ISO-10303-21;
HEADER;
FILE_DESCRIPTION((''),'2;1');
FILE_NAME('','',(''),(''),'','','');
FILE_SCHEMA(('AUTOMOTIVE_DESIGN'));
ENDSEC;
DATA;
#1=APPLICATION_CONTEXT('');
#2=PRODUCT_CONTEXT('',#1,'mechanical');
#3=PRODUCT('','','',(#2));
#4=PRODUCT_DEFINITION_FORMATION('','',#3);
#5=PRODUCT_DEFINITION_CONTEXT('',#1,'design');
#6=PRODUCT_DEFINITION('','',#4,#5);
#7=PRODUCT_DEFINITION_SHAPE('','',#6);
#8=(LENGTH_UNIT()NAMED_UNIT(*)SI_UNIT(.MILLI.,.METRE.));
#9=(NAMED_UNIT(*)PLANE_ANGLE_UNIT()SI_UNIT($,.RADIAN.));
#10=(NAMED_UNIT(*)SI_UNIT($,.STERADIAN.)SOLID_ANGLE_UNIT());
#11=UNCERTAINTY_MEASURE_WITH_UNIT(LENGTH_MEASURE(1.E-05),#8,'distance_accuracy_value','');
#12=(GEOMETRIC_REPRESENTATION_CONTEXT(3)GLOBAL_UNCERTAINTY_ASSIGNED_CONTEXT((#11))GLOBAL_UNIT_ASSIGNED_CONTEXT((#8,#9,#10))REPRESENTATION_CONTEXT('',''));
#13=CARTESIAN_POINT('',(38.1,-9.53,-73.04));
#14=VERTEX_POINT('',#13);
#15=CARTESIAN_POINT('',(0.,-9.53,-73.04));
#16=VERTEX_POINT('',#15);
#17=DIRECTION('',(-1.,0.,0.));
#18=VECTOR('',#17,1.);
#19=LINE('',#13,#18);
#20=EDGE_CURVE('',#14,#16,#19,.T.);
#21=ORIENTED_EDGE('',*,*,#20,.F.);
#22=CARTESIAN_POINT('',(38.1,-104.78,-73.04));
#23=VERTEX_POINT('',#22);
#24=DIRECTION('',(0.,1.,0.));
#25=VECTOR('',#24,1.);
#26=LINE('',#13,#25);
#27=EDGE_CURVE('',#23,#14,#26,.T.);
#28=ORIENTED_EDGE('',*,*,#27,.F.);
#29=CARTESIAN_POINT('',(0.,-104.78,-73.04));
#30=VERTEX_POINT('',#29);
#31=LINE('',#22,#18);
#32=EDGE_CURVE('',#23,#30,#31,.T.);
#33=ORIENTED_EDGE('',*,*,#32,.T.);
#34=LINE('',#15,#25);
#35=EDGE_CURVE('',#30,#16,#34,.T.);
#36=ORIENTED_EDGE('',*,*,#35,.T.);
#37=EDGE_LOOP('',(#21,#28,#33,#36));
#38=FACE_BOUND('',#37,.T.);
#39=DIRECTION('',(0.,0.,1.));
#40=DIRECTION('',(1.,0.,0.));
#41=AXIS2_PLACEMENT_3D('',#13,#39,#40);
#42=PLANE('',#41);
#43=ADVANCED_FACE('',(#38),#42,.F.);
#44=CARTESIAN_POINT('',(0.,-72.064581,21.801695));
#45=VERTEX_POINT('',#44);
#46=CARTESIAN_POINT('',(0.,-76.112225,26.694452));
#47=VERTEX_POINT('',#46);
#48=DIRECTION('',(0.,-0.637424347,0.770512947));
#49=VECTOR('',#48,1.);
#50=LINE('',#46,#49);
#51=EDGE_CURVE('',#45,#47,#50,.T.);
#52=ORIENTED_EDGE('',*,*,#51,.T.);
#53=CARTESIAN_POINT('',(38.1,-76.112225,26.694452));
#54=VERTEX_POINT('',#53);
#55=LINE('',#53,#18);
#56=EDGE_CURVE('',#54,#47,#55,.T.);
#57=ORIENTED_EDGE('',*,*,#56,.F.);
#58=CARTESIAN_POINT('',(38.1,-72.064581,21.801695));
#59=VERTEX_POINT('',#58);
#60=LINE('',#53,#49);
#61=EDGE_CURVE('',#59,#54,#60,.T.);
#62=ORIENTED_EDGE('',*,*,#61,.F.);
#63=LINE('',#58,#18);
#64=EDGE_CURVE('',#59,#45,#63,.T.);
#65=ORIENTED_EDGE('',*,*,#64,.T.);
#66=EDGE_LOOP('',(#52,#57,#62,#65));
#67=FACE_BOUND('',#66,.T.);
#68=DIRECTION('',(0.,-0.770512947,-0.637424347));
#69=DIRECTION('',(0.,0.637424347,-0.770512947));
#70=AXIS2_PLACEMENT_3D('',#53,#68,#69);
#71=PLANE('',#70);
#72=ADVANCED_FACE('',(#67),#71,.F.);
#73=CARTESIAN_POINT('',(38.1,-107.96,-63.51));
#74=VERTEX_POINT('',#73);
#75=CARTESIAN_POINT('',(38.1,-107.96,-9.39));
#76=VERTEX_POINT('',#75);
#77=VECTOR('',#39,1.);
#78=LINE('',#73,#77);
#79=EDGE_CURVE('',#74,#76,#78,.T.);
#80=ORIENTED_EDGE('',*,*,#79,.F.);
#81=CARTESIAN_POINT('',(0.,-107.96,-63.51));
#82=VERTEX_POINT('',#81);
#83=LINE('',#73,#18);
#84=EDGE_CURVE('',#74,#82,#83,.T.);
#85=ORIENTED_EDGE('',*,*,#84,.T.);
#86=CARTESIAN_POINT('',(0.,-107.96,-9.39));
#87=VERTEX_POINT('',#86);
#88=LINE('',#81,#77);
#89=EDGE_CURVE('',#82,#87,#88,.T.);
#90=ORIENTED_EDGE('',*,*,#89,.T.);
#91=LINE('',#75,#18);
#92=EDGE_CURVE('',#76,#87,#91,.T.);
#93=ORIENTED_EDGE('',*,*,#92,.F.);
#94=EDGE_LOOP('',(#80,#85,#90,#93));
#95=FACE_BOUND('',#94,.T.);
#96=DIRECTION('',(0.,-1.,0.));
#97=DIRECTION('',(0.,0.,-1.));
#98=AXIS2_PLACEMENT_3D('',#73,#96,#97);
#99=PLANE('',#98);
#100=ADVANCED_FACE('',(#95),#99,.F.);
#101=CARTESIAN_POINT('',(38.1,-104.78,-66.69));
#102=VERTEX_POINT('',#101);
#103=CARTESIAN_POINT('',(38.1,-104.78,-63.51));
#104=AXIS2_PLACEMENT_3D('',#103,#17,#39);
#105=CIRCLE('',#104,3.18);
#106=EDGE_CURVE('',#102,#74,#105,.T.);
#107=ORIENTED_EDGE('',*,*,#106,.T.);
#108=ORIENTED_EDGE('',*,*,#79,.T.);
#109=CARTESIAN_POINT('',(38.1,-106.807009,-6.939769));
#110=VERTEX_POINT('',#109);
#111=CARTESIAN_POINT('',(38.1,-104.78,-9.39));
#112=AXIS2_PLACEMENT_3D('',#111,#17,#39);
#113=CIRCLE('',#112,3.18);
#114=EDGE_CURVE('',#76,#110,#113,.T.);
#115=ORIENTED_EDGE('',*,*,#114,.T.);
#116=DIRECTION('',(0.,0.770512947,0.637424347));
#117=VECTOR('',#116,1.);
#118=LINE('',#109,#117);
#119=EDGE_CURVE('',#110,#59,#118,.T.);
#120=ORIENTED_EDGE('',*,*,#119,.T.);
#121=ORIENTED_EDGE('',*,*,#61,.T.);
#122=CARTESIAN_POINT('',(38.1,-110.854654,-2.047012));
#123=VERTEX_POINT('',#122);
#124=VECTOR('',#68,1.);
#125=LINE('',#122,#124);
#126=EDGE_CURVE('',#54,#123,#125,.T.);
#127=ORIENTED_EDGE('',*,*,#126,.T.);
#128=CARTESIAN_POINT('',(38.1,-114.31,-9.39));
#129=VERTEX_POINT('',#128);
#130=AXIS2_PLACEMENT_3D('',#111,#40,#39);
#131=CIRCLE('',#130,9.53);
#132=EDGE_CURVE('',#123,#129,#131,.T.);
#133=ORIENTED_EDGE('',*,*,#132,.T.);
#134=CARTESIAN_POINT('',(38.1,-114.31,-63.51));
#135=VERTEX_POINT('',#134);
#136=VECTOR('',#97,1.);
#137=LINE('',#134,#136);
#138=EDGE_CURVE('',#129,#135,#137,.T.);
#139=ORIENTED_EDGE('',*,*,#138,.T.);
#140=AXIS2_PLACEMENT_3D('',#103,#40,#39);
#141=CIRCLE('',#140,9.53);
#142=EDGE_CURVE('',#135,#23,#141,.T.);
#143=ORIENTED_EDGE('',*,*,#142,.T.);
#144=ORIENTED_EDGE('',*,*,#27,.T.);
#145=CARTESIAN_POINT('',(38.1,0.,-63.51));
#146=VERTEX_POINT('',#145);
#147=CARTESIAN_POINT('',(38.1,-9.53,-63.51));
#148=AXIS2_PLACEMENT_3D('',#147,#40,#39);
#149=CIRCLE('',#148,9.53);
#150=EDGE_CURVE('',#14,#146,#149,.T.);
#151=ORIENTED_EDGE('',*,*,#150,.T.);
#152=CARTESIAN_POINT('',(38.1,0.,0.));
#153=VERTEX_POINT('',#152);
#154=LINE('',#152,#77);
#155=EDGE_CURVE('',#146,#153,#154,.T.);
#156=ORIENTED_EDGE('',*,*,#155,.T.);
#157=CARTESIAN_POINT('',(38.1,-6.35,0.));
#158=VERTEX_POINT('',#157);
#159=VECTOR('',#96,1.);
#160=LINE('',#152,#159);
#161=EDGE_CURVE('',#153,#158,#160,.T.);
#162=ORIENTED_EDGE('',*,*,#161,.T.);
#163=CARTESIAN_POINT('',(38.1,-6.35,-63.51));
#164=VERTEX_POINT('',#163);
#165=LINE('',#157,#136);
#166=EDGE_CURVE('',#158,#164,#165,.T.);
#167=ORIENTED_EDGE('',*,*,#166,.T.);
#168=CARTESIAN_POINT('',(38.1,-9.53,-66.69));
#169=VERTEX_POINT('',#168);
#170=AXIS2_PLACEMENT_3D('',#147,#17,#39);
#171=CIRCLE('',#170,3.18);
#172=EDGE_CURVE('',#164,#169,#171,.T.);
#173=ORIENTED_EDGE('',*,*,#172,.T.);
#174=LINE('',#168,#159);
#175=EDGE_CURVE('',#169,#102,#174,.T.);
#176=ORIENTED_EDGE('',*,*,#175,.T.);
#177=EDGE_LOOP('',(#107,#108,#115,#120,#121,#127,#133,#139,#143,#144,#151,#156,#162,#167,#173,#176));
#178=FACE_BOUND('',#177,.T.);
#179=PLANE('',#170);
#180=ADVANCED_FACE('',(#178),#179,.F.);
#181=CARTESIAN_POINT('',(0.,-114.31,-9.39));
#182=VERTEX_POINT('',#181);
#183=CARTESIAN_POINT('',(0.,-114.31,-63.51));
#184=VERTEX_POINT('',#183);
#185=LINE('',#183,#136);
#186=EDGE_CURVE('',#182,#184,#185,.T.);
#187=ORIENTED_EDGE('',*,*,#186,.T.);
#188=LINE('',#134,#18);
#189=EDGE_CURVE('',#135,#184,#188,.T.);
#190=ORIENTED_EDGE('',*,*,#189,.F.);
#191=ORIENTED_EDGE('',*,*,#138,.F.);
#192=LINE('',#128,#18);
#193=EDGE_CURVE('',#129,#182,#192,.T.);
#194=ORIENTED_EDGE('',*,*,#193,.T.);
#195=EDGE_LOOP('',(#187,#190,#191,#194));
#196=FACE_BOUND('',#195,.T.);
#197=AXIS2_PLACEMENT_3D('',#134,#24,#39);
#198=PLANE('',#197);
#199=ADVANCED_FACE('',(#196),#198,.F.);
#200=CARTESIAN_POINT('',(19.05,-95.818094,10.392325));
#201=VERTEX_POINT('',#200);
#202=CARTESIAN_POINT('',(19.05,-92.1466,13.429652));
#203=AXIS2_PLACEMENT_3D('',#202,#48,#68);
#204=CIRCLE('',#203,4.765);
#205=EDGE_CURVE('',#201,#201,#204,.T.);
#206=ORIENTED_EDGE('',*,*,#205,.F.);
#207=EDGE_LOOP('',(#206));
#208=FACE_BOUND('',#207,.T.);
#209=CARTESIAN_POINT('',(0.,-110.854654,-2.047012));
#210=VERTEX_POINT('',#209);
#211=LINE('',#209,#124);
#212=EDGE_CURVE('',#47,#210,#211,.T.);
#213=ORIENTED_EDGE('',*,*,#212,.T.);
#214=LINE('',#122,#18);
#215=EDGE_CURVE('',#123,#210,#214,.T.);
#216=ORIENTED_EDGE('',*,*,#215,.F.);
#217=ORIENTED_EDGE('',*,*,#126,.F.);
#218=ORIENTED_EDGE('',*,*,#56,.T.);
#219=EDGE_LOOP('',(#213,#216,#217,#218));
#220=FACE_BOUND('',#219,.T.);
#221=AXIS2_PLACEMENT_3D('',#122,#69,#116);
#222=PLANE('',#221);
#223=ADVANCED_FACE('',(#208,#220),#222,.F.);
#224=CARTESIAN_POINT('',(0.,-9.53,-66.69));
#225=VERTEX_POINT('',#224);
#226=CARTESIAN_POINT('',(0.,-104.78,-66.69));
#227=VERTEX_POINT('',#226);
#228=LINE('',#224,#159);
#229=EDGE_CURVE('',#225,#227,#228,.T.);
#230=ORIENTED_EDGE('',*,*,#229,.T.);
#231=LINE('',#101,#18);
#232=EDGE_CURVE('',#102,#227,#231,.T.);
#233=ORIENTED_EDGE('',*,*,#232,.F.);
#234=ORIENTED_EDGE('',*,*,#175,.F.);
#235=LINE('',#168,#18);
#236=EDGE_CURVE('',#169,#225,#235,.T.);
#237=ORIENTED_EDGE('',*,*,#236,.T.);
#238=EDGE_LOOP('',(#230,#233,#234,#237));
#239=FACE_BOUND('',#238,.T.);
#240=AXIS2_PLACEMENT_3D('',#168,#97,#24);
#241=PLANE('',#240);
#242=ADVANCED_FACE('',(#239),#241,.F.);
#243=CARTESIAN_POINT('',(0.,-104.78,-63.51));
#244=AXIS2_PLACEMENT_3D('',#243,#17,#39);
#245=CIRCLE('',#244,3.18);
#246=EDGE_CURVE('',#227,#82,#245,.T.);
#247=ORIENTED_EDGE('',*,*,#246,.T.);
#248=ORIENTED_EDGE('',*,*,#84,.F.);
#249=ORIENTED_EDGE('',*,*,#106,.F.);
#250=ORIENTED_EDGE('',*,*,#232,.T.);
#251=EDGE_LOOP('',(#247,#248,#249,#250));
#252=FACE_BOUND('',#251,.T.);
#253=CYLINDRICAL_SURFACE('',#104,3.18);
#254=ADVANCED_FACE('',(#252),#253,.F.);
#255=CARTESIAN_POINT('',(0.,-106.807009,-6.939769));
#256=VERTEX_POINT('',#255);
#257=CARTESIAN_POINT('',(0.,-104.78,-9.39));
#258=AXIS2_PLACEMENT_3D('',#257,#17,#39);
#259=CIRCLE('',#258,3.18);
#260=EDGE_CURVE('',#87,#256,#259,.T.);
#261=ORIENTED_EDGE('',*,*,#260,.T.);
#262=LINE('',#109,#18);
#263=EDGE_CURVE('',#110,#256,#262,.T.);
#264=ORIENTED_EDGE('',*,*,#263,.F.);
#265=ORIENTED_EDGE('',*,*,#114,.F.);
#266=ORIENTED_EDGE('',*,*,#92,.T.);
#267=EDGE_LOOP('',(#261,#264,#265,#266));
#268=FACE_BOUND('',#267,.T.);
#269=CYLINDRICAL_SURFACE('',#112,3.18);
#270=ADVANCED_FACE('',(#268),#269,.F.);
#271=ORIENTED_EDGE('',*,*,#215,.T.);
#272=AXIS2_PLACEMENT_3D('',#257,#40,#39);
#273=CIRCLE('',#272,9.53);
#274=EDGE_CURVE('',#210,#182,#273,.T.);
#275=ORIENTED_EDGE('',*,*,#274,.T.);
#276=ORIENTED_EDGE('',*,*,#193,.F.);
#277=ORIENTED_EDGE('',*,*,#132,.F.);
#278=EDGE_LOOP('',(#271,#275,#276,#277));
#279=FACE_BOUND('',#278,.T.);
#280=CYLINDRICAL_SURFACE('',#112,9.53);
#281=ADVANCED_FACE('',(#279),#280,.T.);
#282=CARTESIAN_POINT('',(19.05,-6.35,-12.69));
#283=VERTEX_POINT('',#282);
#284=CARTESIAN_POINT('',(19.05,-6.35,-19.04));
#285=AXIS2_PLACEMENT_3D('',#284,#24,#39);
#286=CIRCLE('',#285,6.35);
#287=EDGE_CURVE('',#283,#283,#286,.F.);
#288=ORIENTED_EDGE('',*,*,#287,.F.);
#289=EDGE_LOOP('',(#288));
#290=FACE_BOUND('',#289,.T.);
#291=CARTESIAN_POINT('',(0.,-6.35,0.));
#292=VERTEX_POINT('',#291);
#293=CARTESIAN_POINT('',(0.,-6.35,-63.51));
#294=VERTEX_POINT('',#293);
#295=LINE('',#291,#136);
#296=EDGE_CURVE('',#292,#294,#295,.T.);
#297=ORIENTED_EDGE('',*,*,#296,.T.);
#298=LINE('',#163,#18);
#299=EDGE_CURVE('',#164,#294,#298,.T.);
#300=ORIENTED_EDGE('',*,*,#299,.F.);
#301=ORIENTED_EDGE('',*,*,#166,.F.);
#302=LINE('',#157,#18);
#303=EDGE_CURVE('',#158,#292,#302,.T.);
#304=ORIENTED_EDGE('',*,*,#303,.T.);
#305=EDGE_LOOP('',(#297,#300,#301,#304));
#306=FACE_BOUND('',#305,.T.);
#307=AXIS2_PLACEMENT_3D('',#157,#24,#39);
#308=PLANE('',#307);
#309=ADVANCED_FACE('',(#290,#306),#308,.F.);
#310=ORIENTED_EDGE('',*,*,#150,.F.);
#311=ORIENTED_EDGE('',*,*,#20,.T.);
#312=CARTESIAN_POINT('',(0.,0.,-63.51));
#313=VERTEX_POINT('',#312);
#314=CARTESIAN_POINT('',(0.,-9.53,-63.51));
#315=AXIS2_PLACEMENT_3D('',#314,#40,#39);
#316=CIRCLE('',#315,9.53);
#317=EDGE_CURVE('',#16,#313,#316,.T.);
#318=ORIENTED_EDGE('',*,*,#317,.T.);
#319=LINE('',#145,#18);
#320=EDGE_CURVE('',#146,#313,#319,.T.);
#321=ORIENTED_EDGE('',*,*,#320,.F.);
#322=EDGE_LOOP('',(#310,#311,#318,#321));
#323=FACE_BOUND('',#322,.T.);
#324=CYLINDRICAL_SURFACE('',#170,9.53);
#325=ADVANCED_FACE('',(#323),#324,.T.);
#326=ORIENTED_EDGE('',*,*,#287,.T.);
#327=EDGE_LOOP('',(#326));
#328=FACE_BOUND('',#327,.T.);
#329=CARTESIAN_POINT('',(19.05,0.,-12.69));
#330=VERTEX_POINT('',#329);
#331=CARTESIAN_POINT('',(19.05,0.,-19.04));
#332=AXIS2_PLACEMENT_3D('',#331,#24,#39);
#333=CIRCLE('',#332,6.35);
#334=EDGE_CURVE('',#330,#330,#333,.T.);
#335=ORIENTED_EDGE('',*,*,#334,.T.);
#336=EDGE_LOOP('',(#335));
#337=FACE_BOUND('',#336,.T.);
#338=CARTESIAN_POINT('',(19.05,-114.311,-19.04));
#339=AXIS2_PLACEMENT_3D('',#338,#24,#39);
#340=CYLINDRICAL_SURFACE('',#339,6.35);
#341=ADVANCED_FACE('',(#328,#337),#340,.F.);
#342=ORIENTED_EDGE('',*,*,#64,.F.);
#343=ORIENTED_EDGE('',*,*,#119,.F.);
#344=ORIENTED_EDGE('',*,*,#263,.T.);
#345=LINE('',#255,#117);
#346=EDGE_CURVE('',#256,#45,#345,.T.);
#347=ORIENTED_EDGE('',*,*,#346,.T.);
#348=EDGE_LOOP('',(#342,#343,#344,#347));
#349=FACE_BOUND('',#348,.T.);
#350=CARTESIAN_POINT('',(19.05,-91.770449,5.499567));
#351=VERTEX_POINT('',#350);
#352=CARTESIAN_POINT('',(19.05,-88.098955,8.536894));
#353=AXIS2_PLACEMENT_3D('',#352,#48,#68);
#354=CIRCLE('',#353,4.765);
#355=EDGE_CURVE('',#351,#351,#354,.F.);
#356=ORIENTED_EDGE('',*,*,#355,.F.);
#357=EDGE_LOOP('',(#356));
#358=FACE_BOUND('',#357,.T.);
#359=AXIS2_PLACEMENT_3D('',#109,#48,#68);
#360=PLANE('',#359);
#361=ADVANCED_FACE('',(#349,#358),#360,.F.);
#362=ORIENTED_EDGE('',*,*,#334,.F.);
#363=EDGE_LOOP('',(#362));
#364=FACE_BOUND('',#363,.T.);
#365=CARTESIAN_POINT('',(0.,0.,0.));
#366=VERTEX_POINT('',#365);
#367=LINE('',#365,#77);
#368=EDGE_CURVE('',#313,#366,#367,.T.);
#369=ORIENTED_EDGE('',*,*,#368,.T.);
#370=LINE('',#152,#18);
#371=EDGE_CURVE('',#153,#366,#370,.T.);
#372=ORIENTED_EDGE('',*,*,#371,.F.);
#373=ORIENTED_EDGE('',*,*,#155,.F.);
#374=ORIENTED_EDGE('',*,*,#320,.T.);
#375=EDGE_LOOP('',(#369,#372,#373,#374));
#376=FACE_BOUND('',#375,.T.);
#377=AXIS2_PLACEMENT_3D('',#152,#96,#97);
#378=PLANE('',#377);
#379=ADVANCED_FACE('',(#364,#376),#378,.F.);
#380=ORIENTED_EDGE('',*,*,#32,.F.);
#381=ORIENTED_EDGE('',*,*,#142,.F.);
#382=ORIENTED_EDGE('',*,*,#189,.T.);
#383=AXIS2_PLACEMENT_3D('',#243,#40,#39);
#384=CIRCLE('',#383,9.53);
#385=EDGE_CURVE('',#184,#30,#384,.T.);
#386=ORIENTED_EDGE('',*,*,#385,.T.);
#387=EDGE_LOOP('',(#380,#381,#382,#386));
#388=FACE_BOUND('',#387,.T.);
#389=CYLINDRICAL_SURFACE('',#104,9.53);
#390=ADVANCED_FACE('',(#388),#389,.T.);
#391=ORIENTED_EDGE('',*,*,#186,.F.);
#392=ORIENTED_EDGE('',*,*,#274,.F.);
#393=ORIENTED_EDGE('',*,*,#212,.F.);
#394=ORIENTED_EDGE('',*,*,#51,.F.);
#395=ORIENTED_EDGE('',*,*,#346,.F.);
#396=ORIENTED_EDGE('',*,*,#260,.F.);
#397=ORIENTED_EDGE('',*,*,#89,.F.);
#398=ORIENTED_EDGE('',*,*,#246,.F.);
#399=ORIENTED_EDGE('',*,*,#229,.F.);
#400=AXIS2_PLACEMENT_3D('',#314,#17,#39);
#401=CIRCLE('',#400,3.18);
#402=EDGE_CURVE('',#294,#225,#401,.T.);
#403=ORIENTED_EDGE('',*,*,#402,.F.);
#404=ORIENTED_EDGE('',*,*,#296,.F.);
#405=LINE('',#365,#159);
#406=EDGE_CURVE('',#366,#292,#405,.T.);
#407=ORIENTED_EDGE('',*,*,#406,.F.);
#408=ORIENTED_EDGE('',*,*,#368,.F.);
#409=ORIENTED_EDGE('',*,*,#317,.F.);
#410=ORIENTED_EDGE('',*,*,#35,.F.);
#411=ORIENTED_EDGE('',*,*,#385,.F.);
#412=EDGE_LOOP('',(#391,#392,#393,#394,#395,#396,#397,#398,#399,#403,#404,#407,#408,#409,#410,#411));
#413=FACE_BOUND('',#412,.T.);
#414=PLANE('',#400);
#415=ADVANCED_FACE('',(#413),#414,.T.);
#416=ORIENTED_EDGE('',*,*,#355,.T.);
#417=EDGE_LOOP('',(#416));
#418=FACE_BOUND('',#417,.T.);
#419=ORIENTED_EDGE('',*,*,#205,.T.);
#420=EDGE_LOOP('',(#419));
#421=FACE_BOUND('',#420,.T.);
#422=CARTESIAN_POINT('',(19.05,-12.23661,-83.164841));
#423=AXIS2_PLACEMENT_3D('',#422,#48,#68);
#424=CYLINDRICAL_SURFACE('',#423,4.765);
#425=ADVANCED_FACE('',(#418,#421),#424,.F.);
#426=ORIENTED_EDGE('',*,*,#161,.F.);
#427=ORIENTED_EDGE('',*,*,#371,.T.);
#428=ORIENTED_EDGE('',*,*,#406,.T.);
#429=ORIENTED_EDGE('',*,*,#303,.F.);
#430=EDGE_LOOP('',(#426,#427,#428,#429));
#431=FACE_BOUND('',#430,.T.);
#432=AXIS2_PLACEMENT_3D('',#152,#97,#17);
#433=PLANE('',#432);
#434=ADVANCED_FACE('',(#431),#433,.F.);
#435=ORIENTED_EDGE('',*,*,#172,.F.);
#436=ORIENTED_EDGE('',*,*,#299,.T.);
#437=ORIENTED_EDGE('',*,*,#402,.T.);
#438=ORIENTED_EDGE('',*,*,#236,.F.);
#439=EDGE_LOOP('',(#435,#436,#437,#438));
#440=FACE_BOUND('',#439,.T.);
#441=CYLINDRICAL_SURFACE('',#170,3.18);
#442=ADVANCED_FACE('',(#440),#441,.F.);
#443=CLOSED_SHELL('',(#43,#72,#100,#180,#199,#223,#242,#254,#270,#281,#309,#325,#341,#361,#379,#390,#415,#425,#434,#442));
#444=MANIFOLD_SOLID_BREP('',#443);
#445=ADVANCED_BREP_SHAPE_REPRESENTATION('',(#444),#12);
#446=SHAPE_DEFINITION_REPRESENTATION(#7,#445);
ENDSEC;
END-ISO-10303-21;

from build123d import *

# Parameters (mm, degrees)
Y_KSEKLIK_EKSTR_ZYON1_DEPTH = 38.1
KES_EKSTR_ZYON1_REACH       = 142.901
IZIM2_R                     = 6.35
KES_EKSTR_ZYON2_REACH       = 151.446
IZIM3_R                     = 4.765


with BuildPart() as part:
    # Çizim1 → Yükseklik-Ekstrüzyon1 (new body)
    with BuildSketch(Plane(origin=(0, 0, 0), x_dir=(0, 0, -1), z_dir=(1, 0, 0))):
        with BuildLine():
            Line((0, 0), (63.51, 0))
            ThreePointArc((63.51, 0), (70.248727625, -2.791272375), (73.04, -9.53))
            Line((73.04, -9.53), (73.04, -104.78))
            ThreePointArc((73.04, -104.78), (70.248727625, -111.518727625), (63.51, -114.31))
            Line((63.51, -114.31), (9.39, -114.31))
            ThreePointArc((9.39, -114.31), (5.332325351, -113.403002751), (2.047011614, -110.854654028))
            Line((2.047011614, -110.854654028), (-26.694452199, -76.112225243))
            Line((-26.694452199, -76.112225243), (-21.801694985, -72.064580639))
            Line((-21.801694985, -72.064580639), (6.939768828, -106.807009424))
            ThreePointArc((6.939768828, -106.807009424), (8.03602252, -107.657350341), (9.39, -107.96))
            Line((9.39, -107.96), (63.51, -107.96))
            ThreePointArc((63.51, -107.96), (65.758599564, -107.028599564), (66.69, -104.78))
            Line((66.69, -104.78), (66.69, -9.53))
            ThreePointArc((66.69, -9.53), (65.758599564, -7.281400436), (63.51, -6.35))
            Line((63.51, -6.35), (0, -6.35))
            Line((0, -6.35), (0, 0))
        make_face()
    extrude(amount=Y_KSEKLIK_EKSTR_ZYON1_DEPTH)

    # Çizim2 → Kes-Ekstrüzyon1 (cut, up to next)
    with BuildSketch(Plane(origin=(0, 0, 0), x_dir=(1, 0, 0), z_dir=(0, 1, 0)), mode=Mode.PRIVATE) as kes_ekstr_zyon1_sk1:
        with Locations(Location((19.05, 19.04, 0), (0, 0, 270))):
            Circle(IZIM2_R)
    kes_ekstr_zyon1_tool1 = extrude(kes_ekstr_zyon1_sk1.sketch, amount=-KES_EKSTR_ZYON1_REACH, mode=Mode.PRIVATE) & part.part
    add(kes_ekstr_zyon1_tool1.solids().sort_by_distance((19.05, 0, -19.04))[0], mode=Mode.SUBTRACT)

    # Çizim3 → Kes-Ekstrüzyon2 (cut, up to next)
    with BuildSketch(Plane(origin=(0, -44.03595524, 53.230275565), x_dir=(1, 0, 0), z_dir=(0, -0.6374243471515584, 0.770512947106283)), mode=Mode.PRIVATE) as kes_ekstr_zyon2_sk1:
        with Locations(Location((19.05, -62.439761218, 0), (0, 0, 270))):
            Circle(IZIM3_R)
    kes_ekstr_zyon2_tool1 = extrude(kes_ekstr_zyon2_sk1.sketch, amount=-KES_EKSTR_ZYON2_REACH, mode=Mode.PRIVATE) & part.part
    add(kes_ekstr_zyon2_tool1.solids().sort_by_distance((19.05, -92.1466, 13.429652))[0], mode=Mode.SUBTRACT)


solid = part.part
